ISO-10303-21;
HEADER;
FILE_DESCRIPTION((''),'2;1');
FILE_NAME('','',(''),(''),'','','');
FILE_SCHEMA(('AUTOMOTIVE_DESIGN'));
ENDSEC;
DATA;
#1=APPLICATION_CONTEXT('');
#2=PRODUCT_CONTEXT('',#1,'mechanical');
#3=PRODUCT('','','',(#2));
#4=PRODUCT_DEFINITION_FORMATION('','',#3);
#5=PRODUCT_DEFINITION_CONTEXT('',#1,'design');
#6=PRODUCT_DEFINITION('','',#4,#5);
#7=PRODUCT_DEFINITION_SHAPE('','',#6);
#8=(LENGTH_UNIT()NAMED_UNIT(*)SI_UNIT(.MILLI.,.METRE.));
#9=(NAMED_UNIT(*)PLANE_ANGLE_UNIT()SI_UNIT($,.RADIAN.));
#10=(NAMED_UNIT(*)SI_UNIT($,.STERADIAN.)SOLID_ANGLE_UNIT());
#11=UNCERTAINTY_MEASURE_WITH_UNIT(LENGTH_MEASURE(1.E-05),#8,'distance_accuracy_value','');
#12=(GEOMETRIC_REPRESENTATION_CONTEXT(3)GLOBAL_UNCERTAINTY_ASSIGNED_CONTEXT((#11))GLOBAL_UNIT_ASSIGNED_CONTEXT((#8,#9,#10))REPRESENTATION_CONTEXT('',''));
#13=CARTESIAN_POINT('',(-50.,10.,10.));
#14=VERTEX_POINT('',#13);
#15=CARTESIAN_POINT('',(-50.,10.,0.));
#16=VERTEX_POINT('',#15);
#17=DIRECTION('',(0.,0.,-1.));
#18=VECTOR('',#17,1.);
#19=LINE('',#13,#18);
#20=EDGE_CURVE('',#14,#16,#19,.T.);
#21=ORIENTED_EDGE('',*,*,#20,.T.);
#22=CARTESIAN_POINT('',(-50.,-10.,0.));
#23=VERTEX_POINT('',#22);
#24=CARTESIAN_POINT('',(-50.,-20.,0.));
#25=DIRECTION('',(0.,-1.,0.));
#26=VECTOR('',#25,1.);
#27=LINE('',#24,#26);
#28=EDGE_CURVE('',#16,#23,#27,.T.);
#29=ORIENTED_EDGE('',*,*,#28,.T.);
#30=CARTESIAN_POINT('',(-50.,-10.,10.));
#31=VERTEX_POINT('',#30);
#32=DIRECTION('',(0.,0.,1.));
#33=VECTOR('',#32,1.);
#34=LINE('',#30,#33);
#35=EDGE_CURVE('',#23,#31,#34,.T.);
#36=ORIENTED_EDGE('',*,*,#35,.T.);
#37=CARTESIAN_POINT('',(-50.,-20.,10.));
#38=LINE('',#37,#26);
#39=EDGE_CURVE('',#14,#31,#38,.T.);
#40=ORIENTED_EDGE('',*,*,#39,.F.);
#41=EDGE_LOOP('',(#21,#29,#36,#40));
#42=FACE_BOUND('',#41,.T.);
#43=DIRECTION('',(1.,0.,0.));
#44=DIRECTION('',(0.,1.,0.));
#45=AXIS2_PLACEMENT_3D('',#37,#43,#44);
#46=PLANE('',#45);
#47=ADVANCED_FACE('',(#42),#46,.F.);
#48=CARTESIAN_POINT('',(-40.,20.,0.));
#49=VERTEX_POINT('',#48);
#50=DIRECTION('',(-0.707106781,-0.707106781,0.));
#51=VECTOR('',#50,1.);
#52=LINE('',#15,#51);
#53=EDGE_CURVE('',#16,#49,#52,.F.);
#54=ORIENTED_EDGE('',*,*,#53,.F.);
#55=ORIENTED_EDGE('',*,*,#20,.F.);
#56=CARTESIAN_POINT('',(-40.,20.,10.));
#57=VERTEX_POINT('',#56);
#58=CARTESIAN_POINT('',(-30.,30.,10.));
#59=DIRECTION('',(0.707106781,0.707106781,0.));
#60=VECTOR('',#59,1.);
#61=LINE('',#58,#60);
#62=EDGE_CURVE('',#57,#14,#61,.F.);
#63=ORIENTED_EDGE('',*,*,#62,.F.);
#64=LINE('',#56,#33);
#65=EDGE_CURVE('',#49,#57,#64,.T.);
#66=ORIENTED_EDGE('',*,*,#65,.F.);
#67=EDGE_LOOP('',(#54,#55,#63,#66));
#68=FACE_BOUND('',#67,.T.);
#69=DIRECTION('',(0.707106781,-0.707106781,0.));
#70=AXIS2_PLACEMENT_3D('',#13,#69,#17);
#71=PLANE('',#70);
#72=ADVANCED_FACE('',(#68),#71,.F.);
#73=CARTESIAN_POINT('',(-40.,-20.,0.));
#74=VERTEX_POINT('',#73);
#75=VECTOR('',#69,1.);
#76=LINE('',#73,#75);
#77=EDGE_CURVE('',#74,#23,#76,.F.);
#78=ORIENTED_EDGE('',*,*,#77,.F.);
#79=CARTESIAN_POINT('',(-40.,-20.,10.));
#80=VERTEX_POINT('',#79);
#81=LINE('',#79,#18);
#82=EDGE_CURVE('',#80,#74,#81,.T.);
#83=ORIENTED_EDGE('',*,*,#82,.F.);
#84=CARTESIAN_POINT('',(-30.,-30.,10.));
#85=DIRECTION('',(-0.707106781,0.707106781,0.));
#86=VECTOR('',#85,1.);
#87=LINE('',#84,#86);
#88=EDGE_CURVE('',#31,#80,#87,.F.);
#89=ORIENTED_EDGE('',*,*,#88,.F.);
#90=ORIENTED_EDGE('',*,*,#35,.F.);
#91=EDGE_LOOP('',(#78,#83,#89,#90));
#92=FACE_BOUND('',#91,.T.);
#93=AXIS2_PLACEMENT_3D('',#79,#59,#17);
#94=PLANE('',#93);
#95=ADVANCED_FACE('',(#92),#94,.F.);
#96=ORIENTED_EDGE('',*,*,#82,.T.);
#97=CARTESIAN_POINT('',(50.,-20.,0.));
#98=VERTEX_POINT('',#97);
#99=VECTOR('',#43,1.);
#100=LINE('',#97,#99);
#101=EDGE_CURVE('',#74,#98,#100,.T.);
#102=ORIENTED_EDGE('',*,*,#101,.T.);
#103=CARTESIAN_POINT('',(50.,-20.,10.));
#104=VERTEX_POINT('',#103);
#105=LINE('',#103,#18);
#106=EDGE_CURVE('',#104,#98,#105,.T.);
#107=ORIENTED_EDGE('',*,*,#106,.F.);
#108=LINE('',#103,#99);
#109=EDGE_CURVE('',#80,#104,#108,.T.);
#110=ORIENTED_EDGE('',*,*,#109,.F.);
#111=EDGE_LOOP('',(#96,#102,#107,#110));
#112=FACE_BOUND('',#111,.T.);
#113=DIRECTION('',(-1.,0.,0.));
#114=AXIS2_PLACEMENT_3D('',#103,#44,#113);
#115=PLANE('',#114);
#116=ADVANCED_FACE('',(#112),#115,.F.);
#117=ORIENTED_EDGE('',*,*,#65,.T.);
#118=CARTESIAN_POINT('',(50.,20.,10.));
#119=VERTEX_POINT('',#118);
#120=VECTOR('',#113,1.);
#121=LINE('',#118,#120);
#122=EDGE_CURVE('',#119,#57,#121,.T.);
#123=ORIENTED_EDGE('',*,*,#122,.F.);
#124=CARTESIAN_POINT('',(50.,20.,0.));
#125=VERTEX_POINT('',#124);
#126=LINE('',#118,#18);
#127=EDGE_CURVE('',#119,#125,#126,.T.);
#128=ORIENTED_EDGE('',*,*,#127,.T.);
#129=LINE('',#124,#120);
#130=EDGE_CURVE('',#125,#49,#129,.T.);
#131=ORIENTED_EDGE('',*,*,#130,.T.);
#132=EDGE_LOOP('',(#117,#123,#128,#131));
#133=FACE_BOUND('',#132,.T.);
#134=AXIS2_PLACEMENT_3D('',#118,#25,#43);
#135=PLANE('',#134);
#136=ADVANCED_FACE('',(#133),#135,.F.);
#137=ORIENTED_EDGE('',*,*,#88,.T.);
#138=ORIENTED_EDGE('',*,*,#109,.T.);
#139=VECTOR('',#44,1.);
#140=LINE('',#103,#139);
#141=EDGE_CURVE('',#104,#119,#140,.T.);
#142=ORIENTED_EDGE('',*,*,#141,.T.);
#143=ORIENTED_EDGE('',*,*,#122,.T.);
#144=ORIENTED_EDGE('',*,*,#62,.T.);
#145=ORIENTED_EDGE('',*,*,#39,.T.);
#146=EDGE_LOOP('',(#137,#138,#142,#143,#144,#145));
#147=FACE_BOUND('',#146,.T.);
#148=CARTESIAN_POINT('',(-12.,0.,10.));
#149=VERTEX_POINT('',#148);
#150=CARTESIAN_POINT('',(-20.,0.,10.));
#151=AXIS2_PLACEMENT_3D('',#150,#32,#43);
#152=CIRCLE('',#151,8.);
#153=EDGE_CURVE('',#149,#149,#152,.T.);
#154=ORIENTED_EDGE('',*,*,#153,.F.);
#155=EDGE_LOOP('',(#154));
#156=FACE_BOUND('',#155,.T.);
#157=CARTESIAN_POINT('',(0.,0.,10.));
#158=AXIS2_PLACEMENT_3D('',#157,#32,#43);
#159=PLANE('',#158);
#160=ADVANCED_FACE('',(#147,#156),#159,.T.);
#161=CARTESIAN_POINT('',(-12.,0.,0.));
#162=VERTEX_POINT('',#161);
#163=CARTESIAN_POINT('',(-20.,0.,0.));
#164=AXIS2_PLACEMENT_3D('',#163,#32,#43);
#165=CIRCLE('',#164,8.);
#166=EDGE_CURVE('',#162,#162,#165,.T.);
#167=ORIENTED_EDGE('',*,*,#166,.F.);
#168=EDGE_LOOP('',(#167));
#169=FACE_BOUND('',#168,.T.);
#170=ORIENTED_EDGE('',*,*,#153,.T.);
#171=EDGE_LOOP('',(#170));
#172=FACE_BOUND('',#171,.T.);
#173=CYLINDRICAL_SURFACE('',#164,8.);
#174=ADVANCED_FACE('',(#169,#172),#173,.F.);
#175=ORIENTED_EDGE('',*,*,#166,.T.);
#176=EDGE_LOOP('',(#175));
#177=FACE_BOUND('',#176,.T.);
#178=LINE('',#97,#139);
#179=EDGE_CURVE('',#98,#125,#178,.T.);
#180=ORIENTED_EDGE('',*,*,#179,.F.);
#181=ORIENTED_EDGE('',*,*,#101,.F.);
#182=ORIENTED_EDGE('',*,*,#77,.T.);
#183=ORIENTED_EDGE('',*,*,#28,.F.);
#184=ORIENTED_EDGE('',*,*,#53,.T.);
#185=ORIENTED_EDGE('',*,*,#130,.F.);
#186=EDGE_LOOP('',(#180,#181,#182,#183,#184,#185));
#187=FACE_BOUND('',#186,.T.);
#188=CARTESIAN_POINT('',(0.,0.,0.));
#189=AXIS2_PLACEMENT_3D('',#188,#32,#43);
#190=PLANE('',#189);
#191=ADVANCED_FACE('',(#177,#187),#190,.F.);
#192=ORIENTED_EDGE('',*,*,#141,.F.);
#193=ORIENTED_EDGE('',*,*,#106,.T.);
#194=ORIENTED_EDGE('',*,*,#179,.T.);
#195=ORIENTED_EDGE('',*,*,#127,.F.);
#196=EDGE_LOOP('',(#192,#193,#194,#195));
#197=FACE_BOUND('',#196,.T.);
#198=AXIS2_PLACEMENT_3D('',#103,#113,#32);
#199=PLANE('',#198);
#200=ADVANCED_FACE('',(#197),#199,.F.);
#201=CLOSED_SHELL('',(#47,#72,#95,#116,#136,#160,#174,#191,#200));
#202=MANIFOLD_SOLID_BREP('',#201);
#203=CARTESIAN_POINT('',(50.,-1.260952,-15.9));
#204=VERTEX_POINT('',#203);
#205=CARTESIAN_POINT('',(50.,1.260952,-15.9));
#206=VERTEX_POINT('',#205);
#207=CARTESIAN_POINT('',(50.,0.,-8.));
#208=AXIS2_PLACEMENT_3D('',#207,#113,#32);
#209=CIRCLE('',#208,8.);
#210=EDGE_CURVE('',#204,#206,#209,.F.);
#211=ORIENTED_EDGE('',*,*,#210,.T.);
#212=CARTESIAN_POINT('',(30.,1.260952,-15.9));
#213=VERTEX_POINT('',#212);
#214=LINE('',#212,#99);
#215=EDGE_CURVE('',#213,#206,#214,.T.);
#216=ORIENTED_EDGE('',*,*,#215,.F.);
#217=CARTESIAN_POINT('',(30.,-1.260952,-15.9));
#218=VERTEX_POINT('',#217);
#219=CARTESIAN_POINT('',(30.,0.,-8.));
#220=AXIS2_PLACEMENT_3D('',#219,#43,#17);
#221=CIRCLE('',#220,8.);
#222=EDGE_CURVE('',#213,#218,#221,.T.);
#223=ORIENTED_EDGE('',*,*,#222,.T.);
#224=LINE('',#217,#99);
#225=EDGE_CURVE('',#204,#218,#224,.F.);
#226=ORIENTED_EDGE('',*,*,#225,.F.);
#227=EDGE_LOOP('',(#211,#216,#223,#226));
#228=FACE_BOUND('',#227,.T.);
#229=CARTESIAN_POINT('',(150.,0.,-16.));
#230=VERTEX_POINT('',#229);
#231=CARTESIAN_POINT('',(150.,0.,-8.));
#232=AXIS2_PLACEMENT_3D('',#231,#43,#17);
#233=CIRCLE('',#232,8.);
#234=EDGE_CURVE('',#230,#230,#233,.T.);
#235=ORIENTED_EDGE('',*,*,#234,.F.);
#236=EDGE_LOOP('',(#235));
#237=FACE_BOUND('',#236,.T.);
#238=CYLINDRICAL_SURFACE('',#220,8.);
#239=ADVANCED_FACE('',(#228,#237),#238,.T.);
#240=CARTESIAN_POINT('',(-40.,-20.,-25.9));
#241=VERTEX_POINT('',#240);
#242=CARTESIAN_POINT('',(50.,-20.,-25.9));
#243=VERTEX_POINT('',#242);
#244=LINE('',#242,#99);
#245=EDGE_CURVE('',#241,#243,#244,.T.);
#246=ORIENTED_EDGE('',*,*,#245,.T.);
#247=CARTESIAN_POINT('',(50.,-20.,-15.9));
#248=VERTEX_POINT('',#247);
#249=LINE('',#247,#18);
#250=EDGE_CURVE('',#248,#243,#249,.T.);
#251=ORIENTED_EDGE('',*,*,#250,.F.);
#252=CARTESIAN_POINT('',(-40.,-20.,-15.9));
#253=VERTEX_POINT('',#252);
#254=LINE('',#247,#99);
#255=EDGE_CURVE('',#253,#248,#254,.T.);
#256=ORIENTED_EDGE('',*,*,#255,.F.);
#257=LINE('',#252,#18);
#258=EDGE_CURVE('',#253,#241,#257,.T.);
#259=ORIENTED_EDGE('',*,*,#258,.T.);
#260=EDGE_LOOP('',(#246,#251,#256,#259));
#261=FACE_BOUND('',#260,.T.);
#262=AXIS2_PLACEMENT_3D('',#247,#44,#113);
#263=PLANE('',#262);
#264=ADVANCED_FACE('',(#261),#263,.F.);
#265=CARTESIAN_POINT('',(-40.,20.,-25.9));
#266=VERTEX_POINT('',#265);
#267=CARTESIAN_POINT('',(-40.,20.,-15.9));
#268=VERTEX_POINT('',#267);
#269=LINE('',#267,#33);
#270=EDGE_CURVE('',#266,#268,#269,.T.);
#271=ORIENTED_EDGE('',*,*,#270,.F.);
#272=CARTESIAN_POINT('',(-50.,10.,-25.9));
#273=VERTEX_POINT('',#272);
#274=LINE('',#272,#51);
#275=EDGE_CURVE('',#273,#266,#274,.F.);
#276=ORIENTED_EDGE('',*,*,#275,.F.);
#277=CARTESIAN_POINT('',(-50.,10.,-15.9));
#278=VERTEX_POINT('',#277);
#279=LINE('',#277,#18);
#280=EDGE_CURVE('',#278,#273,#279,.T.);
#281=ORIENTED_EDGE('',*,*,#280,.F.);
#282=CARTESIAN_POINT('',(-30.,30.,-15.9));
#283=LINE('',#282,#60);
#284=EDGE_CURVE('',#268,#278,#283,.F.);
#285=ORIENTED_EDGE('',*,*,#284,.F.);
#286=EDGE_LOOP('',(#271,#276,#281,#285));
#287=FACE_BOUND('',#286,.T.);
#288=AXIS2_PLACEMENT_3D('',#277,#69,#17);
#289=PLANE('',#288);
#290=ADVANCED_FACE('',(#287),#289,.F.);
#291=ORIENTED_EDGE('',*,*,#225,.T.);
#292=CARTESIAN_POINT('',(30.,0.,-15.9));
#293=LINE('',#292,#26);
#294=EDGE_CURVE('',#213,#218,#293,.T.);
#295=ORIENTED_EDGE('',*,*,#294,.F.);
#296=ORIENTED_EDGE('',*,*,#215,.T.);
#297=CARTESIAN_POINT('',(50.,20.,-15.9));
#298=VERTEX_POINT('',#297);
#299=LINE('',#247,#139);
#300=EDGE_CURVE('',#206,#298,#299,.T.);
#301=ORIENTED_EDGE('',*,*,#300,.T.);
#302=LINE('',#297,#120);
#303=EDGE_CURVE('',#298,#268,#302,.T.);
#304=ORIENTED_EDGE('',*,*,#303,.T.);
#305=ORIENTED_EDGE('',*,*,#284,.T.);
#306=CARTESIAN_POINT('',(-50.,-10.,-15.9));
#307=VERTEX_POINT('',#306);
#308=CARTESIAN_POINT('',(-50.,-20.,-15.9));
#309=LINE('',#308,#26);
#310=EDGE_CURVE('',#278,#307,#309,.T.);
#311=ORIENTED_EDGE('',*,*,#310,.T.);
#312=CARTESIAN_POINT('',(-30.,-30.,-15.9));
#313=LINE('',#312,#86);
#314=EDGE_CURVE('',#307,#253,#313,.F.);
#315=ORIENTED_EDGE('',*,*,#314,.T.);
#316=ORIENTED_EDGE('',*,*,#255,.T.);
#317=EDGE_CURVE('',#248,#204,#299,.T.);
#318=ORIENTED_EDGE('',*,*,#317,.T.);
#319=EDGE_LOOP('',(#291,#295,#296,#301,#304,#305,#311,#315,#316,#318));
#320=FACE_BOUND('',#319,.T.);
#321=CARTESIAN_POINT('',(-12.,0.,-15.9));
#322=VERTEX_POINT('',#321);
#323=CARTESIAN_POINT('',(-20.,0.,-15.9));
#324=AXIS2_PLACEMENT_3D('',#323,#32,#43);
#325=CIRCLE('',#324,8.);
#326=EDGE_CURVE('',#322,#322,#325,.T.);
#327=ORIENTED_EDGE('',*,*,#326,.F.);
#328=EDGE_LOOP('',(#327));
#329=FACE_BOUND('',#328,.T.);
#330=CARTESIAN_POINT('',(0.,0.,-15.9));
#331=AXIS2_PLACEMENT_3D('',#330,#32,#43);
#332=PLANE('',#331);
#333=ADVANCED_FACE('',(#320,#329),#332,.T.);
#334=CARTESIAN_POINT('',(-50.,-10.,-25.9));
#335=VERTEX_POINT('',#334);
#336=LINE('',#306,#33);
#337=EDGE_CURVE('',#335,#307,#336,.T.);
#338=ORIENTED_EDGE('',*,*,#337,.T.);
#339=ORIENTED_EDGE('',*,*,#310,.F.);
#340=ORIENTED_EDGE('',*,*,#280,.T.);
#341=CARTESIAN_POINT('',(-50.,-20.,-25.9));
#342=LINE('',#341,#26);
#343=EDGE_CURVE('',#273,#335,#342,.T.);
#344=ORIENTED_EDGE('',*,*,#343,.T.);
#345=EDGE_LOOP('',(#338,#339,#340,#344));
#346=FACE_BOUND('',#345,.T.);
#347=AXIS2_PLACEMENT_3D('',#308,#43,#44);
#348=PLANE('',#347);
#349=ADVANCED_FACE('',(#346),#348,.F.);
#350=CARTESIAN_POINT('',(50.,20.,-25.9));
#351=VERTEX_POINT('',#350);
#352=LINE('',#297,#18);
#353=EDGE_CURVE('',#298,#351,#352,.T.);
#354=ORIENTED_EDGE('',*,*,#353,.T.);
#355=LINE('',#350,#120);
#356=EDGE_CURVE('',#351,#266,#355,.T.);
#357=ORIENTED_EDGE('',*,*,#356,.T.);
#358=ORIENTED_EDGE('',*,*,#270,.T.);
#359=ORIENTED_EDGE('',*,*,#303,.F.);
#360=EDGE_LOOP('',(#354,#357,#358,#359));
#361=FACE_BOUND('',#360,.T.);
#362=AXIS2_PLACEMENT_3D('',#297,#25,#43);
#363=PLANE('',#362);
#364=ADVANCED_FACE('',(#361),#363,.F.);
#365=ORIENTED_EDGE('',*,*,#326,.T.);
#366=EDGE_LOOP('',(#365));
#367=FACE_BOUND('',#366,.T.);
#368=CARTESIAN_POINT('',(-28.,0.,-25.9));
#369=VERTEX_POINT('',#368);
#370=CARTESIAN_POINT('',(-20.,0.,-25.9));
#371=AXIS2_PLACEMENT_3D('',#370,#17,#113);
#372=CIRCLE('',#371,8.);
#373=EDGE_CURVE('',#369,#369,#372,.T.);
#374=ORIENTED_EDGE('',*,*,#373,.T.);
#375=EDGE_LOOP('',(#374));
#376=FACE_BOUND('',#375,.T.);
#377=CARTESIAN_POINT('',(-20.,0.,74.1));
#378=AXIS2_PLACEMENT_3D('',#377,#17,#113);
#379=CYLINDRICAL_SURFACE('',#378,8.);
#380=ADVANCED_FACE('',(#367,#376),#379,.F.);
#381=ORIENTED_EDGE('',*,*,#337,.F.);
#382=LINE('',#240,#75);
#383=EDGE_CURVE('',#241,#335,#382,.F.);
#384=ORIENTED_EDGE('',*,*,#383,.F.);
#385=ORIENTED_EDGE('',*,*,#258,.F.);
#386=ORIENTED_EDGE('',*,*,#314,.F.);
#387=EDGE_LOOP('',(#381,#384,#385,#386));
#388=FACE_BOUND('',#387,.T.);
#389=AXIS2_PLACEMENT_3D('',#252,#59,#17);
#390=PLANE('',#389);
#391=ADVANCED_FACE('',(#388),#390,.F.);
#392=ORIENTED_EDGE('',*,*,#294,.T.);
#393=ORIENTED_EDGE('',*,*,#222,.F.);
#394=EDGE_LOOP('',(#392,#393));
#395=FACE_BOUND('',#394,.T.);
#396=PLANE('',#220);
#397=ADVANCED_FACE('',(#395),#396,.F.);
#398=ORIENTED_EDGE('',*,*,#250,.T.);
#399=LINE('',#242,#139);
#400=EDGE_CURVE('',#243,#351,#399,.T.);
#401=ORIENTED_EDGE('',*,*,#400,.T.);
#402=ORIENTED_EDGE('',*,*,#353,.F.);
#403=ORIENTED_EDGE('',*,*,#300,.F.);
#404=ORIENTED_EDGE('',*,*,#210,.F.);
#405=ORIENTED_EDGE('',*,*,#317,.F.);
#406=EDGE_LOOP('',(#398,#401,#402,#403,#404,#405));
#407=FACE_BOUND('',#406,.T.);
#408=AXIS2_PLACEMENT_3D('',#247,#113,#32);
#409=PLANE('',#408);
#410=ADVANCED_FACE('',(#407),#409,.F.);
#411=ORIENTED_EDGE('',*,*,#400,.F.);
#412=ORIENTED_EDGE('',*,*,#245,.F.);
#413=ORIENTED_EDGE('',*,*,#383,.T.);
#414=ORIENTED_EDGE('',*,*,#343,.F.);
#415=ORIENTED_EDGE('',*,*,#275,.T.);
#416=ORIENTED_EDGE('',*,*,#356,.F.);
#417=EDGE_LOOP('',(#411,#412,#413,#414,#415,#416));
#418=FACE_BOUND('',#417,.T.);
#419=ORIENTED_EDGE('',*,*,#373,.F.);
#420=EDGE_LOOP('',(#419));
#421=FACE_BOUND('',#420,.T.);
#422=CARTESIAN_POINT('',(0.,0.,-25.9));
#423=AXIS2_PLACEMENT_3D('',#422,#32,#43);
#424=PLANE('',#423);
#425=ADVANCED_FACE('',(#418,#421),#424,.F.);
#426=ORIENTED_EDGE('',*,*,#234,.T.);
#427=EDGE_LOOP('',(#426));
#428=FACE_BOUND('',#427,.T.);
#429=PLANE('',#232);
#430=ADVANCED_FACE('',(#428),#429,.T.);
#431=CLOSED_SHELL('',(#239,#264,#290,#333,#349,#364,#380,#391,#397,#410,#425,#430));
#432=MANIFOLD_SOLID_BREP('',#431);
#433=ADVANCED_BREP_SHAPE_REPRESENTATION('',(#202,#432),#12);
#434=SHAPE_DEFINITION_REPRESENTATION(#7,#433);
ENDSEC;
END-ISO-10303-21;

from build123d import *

# Parameters (mm, degrees)
SKETCH1_W                = 100
SKETCH1_H                = 40
BOSS_EXTRUDE1_DEPTH      = 10
SKETCH4_R                = 8
CUT_EXTRUDE1_DEPTH       = 10
CHAMFER2_SIZE            = 10
CHAMFER3_SIZE            = 10
BOSS_EXTRUDE2_DEPTH      = 100
BOSS_EXTRUDE2_DEPTH_BACK = 20
SKETCH5_R                = 8
LPATTERN1_COUNT          = 2
LPATTERN1_PITCH          = 25.9
CHAMFER4_SIZE            = 10
CHAMFER5_SIZE            = 10
CUT_EXTRUDE2_START       = -100
SKETCH6_R                = 8
CUT_EXTRUDE2_DEPTH       = 100


with BuildPart() as part:
    # Sketch1 → Boss-Extrude1 (new body)
    with BuildSketch(Plane.XY):
        Rectangle(SKETCH1_W, SKETCH1_H)
    boss_extrude1 = extrude(amount=BOSS_EXTRUDE1_DEPTH)

    # Sketch4 → Cut-Extrude1 (cut)
    with BuildSketch(Plane.XY.offset(10)):
        with Locations((-20, 0)):
            Circle(SKETCH4_R)
    extrude(amount=-CUT_EXTRUDE1_DEPTH, mode=Mode.SUBTRACT)

    # Chamfer2
    chamfer2_edges = [part.edges().sort_by_distance(p)[0] for p in [
        (-50, 20, 5),
    ]]
    chamfer(chamfer2_edges, length=CHAMFER2_SIZE)

    # Chamfer3
    chamfer3_edges = [part.edges().sort_by_distance(p)[0] for p in [
        (-50, -20, 5),
    ]]
    chamfer(chamfer3_edges, length=CHAMFER3_SIZE)


with BuildPart() as body_2:
    # Sketch5 → Boss-Extrude2 (new, two sides: drawn at the far end of the back side and taken through both)
    with BuildSketch(Plane(origin=(50, 0, 0), x_dir=(0, 0, -1), z_dir=(1, 0, 0)).offset(-BOSS_EXTRUDE2_DEPTH_BACK)):
        with Locations((8, 0)):
            Circle(SKETCH5_R)
    extrude(amount=BOSS_EXTRUDE2_DEPTH + BOSS_EXTRUDE2_DEPTH_BACK)

    # LPattern1: Boss-Extrude1 ×2
    with Locations(*[(0, 0, -i * LPATTERN1_PITCH) for i in range(1, LPATTERN1_COUNT)]):
        add(boss_extrude1)

    # Chamfer4
    chamfer4_edges = [body_2.edges().sort_by_distance(p)[0] for p in [
        (-50, 20, -20.9),
    ]]
    chamfer(chamfer4_edges, length=CHAMFER4_SIZE)

    # Chamfer5
    chamfer5_edges = [body_2.edges().sort_by_distance(p)[0] for p in [
        (-50, -20, -20.9),
    ]]
    chamfer(chamfer5_edges, length=CHAMFER5_SIZE)

    # Sketch6 → Cut-Extrude2 (cut)
    with BuildSketch(Plane(origin=(0, 0, -25.9), x_dir=(-1, 0, 0), z_dir=(0, 0, -1)).offset(CUT_EXTRUDE2_START)):
        with Locations((20, 0)):
            Circle(SKETCH6_R)
    extrude(amount=CUT_EXTRUDE2_DEPTH, mode=Mode.SUBTRACT)


solid = Compound([part.part, body_2.part])
